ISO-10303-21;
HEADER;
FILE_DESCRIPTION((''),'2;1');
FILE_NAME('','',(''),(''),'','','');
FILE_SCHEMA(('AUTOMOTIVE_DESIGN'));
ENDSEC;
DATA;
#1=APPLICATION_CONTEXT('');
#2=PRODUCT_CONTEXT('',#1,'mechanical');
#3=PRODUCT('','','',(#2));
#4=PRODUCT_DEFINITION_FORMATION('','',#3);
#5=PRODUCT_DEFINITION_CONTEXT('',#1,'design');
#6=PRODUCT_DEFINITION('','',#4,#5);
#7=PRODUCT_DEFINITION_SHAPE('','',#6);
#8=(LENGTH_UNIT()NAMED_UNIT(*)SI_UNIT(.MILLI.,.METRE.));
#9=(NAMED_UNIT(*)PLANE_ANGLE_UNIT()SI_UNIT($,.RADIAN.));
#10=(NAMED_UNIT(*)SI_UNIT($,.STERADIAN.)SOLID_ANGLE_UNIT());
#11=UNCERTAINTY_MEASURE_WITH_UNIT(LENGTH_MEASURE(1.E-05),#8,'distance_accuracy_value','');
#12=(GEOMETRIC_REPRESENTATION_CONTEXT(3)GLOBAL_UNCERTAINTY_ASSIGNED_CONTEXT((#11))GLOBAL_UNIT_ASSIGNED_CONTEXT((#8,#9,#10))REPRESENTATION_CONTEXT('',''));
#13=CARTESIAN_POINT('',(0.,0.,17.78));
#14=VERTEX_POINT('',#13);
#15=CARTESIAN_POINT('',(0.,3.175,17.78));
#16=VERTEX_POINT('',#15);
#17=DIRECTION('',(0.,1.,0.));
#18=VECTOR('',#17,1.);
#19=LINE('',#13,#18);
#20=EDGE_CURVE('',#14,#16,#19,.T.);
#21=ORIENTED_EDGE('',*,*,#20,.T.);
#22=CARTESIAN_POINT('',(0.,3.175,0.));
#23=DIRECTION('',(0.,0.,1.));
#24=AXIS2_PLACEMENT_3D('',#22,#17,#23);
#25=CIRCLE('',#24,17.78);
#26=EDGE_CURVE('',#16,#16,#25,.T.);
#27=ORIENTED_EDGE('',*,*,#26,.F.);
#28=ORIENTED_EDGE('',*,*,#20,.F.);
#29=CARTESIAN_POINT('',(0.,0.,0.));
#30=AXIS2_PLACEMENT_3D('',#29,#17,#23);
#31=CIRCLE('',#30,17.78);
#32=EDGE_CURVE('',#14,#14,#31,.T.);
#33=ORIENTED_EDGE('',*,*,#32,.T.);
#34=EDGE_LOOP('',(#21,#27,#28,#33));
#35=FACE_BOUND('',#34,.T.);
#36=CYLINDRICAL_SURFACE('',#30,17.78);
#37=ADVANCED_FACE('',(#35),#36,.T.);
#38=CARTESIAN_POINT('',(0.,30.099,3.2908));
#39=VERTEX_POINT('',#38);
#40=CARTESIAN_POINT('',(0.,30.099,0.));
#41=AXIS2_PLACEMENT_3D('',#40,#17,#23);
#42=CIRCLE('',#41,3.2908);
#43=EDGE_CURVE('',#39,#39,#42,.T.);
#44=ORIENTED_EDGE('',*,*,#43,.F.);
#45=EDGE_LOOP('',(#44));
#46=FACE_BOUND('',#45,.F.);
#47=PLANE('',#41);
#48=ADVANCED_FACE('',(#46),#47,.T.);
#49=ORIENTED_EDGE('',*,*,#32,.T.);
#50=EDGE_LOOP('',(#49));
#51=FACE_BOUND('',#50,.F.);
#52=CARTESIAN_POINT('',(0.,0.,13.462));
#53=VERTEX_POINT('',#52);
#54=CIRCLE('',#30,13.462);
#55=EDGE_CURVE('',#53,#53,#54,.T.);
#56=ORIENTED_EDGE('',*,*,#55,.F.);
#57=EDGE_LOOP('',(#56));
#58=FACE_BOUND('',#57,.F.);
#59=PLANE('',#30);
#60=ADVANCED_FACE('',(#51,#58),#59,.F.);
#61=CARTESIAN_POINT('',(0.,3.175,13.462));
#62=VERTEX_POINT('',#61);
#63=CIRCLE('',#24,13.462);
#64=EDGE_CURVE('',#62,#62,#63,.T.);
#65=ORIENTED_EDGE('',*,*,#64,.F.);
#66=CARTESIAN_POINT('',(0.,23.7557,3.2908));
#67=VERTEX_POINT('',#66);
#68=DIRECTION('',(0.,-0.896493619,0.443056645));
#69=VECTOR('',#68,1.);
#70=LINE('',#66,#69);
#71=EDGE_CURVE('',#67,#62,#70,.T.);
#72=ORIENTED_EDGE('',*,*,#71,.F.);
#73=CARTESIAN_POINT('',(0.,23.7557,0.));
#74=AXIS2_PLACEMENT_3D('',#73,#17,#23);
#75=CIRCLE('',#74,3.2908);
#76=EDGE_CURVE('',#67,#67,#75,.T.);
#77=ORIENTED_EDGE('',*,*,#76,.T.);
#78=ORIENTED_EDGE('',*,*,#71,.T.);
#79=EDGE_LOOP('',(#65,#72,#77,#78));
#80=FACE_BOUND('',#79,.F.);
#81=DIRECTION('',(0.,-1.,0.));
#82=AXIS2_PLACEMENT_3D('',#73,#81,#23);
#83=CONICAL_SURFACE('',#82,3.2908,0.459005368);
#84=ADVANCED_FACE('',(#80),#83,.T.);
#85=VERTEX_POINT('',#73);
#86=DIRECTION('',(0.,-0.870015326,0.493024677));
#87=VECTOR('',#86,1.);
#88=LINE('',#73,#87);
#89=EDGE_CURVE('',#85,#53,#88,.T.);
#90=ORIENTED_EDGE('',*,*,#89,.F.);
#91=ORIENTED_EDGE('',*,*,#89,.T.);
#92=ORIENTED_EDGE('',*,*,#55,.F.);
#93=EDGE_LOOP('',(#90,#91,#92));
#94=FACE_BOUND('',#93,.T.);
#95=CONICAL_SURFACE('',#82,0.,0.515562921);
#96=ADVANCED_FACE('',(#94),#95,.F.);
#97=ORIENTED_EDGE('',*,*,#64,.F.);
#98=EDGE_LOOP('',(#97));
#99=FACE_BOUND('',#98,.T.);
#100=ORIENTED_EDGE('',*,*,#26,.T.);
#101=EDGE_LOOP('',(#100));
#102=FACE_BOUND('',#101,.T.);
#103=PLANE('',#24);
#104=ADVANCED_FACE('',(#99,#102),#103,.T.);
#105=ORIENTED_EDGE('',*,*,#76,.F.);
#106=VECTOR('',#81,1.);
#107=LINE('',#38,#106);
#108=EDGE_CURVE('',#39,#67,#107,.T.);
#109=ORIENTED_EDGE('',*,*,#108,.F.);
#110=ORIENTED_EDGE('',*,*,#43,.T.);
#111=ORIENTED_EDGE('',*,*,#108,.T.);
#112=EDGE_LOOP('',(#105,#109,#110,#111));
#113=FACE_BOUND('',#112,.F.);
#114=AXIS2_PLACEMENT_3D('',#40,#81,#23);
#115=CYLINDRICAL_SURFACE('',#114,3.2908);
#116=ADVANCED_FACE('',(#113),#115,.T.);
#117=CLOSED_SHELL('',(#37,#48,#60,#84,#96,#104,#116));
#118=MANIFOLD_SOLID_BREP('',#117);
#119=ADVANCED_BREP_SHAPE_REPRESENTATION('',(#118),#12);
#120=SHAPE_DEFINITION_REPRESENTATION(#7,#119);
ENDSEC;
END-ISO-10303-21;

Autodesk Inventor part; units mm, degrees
ref_plane "YZ Plane" through (0, 0, 0) normal (1, 0, 0) x (0, 1, 0)
ref_plane "XZ Plane" through (0, 0, 0) normal (0, 1, 0) x (-1, 0, 0)
ref_plane "XY Plane" through (0, 0, 0) normal (0, 0, 1) x (1, 0, 0)
sketch "Sketch1" plane through (0, 0, 0) normal (1, 0, 0) x (0, 1, 0)
  line L0 (0, 17.78) -> (3.175, 17.78)
  line L1 (3.175, 17.78) -> (3.175, 13.462)
  line L2 (0, 0) -> (30.099, 0)
  line L3 (30.099, 0) -> (30.099, 3.2908)
  line L4 (30.099, 3.2908) -> (23.7557, 3.2908)
  line L5 (23.7557, 3.2908) -> (3.175, 13.462)
  line L6 (23.7557, 0) -> (0, 13.462)
  line L7 (0, 17.78) -> (0, 13.462)
  dimension "d0" = 17.78
  dimension "d1" = 3.175
  dimension "d2" = 4.318
  dimension "d3" = 30.099
revolve "Revolution1" add sketch "Sketch1" angle 360 about axis through (0, 0, 0) along (0, 1, 0)
properties part number "nozzletopcone"
